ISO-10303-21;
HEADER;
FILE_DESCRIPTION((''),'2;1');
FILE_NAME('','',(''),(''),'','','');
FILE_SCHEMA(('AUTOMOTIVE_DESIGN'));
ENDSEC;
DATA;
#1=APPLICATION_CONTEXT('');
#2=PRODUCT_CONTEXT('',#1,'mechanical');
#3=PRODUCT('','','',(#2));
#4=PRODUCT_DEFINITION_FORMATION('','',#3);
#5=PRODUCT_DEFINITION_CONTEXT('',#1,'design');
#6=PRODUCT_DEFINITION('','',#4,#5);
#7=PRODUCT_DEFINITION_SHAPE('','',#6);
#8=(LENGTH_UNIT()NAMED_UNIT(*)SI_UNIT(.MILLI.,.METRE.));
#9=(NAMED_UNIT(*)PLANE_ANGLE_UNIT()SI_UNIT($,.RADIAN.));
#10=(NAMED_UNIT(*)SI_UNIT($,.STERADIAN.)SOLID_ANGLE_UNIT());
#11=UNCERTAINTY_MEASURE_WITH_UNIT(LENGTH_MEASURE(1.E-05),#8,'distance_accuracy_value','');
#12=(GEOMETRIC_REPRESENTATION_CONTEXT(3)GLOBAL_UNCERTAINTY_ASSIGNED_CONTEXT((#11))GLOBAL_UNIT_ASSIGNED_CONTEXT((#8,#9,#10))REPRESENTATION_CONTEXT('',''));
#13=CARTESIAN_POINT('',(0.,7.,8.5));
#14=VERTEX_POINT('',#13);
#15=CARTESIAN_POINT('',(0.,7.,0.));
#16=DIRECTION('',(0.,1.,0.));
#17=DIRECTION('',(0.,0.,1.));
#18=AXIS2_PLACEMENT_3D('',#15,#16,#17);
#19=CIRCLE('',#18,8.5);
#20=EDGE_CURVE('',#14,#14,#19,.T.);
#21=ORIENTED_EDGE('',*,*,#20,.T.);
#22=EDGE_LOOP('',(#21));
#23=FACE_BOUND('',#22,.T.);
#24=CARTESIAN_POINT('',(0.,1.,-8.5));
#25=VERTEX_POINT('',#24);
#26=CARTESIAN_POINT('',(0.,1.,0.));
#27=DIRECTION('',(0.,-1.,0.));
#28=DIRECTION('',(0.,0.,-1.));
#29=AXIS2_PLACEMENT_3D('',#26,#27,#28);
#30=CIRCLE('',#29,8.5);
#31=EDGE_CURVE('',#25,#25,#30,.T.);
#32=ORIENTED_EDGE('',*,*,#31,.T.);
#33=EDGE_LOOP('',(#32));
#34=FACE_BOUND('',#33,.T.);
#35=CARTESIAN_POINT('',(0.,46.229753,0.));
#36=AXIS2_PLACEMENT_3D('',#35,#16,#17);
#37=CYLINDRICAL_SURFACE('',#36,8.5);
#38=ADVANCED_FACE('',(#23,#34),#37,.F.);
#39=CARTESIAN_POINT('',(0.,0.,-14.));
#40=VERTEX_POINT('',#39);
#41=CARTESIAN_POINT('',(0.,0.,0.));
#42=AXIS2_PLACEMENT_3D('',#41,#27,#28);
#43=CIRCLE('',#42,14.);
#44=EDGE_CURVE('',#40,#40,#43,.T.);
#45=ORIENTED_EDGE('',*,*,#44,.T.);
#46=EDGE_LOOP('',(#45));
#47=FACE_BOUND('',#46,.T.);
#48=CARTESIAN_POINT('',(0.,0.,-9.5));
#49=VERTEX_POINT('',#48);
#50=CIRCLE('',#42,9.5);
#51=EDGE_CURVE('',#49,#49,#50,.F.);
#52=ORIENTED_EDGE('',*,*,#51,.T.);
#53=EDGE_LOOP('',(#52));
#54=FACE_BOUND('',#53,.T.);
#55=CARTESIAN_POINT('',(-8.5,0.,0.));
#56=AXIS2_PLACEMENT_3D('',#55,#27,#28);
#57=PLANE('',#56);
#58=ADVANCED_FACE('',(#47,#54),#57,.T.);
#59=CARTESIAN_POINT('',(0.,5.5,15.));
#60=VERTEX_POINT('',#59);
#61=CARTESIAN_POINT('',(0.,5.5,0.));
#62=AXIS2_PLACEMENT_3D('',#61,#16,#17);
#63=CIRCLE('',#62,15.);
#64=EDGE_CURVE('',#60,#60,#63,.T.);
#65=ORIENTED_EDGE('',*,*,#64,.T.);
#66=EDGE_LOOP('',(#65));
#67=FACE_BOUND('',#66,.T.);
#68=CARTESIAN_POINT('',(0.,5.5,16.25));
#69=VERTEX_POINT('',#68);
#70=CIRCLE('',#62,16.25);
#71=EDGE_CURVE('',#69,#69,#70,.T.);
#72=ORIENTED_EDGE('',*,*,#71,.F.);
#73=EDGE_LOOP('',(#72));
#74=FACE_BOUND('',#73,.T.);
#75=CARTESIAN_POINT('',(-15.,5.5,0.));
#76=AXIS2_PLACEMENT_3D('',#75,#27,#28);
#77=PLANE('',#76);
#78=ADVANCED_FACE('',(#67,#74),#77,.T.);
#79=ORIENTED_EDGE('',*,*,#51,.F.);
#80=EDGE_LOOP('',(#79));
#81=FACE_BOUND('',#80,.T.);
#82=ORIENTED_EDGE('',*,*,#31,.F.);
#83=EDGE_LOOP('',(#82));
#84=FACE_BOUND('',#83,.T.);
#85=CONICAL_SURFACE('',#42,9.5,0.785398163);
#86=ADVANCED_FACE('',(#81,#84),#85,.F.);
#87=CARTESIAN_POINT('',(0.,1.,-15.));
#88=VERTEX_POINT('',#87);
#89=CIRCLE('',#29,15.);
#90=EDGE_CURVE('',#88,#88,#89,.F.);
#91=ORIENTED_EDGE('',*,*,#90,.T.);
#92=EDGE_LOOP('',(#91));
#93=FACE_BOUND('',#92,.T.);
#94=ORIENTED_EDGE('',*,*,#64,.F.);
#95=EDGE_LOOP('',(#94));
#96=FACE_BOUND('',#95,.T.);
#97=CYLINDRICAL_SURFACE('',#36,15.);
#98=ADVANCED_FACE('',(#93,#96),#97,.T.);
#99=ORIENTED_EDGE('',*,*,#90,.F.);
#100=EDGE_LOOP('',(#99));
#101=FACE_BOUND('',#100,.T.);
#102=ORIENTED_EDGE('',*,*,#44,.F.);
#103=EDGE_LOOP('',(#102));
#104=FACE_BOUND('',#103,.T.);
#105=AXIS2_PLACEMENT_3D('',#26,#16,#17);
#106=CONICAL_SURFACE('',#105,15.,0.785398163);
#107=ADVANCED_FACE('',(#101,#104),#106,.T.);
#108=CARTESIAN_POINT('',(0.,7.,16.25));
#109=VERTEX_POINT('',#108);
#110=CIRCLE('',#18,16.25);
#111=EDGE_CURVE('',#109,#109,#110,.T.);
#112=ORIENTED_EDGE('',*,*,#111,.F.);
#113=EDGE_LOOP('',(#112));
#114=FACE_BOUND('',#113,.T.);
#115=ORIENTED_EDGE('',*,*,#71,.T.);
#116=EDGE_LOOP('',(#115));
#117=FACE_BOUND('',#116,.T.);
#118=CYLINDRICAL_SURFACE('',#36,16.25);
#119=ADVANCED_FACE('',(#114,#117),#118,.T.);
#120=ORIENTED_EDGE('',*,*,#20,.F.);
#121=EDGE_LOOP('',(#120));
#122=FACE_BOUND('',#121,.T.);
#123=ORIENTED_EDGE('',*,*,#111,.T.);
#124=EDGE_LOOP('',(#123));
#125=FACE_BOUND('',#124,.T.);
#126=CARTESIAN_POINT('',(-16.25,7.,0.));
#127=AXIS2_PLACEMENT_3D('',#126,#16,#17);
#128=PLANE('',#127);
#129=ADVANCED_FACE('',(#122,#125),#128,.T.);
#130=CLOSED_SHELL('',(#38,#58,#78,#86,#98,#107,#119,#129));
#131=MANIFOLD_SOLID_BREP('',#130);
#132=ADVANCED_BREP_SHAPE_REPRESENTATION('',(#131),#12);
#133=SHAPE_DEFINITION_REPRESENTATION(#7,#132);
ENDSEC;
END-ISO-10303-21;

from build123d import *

# Parameters (mm, degrees)
CHAMFER_1_SIZE = 1


with BuildPart() as part:
    # 草图1 → 旋转1 (revolve)
    with BuildSketch(Plane.XY, mode=Mode.PRIVATE) as revolve_1_sk:
        Polygon((-8.5, 0), (-15, 0), (-15, 5.5), (-16.25, 5.5), (-16.25, 7), (-8.5, 7), align=None)
    revolve(revolve_1_sk.sketch.rotate(Axis((0, 46.229753092, 0), (0, -1, 0)), 270), axis=Axis((0, 46.229753092, 0), (0, -1, 0)))

    # 倒角1
    chamfer_1_edges = [part.edges().sort_by_distance(p)[0] for p in [
        (0, 0, -15),
        (0, 0, -8.5),
    ]]
    chamfer(chamfer_1_edges, length=CHAMFER_1_SIZE)


solid = part.part
